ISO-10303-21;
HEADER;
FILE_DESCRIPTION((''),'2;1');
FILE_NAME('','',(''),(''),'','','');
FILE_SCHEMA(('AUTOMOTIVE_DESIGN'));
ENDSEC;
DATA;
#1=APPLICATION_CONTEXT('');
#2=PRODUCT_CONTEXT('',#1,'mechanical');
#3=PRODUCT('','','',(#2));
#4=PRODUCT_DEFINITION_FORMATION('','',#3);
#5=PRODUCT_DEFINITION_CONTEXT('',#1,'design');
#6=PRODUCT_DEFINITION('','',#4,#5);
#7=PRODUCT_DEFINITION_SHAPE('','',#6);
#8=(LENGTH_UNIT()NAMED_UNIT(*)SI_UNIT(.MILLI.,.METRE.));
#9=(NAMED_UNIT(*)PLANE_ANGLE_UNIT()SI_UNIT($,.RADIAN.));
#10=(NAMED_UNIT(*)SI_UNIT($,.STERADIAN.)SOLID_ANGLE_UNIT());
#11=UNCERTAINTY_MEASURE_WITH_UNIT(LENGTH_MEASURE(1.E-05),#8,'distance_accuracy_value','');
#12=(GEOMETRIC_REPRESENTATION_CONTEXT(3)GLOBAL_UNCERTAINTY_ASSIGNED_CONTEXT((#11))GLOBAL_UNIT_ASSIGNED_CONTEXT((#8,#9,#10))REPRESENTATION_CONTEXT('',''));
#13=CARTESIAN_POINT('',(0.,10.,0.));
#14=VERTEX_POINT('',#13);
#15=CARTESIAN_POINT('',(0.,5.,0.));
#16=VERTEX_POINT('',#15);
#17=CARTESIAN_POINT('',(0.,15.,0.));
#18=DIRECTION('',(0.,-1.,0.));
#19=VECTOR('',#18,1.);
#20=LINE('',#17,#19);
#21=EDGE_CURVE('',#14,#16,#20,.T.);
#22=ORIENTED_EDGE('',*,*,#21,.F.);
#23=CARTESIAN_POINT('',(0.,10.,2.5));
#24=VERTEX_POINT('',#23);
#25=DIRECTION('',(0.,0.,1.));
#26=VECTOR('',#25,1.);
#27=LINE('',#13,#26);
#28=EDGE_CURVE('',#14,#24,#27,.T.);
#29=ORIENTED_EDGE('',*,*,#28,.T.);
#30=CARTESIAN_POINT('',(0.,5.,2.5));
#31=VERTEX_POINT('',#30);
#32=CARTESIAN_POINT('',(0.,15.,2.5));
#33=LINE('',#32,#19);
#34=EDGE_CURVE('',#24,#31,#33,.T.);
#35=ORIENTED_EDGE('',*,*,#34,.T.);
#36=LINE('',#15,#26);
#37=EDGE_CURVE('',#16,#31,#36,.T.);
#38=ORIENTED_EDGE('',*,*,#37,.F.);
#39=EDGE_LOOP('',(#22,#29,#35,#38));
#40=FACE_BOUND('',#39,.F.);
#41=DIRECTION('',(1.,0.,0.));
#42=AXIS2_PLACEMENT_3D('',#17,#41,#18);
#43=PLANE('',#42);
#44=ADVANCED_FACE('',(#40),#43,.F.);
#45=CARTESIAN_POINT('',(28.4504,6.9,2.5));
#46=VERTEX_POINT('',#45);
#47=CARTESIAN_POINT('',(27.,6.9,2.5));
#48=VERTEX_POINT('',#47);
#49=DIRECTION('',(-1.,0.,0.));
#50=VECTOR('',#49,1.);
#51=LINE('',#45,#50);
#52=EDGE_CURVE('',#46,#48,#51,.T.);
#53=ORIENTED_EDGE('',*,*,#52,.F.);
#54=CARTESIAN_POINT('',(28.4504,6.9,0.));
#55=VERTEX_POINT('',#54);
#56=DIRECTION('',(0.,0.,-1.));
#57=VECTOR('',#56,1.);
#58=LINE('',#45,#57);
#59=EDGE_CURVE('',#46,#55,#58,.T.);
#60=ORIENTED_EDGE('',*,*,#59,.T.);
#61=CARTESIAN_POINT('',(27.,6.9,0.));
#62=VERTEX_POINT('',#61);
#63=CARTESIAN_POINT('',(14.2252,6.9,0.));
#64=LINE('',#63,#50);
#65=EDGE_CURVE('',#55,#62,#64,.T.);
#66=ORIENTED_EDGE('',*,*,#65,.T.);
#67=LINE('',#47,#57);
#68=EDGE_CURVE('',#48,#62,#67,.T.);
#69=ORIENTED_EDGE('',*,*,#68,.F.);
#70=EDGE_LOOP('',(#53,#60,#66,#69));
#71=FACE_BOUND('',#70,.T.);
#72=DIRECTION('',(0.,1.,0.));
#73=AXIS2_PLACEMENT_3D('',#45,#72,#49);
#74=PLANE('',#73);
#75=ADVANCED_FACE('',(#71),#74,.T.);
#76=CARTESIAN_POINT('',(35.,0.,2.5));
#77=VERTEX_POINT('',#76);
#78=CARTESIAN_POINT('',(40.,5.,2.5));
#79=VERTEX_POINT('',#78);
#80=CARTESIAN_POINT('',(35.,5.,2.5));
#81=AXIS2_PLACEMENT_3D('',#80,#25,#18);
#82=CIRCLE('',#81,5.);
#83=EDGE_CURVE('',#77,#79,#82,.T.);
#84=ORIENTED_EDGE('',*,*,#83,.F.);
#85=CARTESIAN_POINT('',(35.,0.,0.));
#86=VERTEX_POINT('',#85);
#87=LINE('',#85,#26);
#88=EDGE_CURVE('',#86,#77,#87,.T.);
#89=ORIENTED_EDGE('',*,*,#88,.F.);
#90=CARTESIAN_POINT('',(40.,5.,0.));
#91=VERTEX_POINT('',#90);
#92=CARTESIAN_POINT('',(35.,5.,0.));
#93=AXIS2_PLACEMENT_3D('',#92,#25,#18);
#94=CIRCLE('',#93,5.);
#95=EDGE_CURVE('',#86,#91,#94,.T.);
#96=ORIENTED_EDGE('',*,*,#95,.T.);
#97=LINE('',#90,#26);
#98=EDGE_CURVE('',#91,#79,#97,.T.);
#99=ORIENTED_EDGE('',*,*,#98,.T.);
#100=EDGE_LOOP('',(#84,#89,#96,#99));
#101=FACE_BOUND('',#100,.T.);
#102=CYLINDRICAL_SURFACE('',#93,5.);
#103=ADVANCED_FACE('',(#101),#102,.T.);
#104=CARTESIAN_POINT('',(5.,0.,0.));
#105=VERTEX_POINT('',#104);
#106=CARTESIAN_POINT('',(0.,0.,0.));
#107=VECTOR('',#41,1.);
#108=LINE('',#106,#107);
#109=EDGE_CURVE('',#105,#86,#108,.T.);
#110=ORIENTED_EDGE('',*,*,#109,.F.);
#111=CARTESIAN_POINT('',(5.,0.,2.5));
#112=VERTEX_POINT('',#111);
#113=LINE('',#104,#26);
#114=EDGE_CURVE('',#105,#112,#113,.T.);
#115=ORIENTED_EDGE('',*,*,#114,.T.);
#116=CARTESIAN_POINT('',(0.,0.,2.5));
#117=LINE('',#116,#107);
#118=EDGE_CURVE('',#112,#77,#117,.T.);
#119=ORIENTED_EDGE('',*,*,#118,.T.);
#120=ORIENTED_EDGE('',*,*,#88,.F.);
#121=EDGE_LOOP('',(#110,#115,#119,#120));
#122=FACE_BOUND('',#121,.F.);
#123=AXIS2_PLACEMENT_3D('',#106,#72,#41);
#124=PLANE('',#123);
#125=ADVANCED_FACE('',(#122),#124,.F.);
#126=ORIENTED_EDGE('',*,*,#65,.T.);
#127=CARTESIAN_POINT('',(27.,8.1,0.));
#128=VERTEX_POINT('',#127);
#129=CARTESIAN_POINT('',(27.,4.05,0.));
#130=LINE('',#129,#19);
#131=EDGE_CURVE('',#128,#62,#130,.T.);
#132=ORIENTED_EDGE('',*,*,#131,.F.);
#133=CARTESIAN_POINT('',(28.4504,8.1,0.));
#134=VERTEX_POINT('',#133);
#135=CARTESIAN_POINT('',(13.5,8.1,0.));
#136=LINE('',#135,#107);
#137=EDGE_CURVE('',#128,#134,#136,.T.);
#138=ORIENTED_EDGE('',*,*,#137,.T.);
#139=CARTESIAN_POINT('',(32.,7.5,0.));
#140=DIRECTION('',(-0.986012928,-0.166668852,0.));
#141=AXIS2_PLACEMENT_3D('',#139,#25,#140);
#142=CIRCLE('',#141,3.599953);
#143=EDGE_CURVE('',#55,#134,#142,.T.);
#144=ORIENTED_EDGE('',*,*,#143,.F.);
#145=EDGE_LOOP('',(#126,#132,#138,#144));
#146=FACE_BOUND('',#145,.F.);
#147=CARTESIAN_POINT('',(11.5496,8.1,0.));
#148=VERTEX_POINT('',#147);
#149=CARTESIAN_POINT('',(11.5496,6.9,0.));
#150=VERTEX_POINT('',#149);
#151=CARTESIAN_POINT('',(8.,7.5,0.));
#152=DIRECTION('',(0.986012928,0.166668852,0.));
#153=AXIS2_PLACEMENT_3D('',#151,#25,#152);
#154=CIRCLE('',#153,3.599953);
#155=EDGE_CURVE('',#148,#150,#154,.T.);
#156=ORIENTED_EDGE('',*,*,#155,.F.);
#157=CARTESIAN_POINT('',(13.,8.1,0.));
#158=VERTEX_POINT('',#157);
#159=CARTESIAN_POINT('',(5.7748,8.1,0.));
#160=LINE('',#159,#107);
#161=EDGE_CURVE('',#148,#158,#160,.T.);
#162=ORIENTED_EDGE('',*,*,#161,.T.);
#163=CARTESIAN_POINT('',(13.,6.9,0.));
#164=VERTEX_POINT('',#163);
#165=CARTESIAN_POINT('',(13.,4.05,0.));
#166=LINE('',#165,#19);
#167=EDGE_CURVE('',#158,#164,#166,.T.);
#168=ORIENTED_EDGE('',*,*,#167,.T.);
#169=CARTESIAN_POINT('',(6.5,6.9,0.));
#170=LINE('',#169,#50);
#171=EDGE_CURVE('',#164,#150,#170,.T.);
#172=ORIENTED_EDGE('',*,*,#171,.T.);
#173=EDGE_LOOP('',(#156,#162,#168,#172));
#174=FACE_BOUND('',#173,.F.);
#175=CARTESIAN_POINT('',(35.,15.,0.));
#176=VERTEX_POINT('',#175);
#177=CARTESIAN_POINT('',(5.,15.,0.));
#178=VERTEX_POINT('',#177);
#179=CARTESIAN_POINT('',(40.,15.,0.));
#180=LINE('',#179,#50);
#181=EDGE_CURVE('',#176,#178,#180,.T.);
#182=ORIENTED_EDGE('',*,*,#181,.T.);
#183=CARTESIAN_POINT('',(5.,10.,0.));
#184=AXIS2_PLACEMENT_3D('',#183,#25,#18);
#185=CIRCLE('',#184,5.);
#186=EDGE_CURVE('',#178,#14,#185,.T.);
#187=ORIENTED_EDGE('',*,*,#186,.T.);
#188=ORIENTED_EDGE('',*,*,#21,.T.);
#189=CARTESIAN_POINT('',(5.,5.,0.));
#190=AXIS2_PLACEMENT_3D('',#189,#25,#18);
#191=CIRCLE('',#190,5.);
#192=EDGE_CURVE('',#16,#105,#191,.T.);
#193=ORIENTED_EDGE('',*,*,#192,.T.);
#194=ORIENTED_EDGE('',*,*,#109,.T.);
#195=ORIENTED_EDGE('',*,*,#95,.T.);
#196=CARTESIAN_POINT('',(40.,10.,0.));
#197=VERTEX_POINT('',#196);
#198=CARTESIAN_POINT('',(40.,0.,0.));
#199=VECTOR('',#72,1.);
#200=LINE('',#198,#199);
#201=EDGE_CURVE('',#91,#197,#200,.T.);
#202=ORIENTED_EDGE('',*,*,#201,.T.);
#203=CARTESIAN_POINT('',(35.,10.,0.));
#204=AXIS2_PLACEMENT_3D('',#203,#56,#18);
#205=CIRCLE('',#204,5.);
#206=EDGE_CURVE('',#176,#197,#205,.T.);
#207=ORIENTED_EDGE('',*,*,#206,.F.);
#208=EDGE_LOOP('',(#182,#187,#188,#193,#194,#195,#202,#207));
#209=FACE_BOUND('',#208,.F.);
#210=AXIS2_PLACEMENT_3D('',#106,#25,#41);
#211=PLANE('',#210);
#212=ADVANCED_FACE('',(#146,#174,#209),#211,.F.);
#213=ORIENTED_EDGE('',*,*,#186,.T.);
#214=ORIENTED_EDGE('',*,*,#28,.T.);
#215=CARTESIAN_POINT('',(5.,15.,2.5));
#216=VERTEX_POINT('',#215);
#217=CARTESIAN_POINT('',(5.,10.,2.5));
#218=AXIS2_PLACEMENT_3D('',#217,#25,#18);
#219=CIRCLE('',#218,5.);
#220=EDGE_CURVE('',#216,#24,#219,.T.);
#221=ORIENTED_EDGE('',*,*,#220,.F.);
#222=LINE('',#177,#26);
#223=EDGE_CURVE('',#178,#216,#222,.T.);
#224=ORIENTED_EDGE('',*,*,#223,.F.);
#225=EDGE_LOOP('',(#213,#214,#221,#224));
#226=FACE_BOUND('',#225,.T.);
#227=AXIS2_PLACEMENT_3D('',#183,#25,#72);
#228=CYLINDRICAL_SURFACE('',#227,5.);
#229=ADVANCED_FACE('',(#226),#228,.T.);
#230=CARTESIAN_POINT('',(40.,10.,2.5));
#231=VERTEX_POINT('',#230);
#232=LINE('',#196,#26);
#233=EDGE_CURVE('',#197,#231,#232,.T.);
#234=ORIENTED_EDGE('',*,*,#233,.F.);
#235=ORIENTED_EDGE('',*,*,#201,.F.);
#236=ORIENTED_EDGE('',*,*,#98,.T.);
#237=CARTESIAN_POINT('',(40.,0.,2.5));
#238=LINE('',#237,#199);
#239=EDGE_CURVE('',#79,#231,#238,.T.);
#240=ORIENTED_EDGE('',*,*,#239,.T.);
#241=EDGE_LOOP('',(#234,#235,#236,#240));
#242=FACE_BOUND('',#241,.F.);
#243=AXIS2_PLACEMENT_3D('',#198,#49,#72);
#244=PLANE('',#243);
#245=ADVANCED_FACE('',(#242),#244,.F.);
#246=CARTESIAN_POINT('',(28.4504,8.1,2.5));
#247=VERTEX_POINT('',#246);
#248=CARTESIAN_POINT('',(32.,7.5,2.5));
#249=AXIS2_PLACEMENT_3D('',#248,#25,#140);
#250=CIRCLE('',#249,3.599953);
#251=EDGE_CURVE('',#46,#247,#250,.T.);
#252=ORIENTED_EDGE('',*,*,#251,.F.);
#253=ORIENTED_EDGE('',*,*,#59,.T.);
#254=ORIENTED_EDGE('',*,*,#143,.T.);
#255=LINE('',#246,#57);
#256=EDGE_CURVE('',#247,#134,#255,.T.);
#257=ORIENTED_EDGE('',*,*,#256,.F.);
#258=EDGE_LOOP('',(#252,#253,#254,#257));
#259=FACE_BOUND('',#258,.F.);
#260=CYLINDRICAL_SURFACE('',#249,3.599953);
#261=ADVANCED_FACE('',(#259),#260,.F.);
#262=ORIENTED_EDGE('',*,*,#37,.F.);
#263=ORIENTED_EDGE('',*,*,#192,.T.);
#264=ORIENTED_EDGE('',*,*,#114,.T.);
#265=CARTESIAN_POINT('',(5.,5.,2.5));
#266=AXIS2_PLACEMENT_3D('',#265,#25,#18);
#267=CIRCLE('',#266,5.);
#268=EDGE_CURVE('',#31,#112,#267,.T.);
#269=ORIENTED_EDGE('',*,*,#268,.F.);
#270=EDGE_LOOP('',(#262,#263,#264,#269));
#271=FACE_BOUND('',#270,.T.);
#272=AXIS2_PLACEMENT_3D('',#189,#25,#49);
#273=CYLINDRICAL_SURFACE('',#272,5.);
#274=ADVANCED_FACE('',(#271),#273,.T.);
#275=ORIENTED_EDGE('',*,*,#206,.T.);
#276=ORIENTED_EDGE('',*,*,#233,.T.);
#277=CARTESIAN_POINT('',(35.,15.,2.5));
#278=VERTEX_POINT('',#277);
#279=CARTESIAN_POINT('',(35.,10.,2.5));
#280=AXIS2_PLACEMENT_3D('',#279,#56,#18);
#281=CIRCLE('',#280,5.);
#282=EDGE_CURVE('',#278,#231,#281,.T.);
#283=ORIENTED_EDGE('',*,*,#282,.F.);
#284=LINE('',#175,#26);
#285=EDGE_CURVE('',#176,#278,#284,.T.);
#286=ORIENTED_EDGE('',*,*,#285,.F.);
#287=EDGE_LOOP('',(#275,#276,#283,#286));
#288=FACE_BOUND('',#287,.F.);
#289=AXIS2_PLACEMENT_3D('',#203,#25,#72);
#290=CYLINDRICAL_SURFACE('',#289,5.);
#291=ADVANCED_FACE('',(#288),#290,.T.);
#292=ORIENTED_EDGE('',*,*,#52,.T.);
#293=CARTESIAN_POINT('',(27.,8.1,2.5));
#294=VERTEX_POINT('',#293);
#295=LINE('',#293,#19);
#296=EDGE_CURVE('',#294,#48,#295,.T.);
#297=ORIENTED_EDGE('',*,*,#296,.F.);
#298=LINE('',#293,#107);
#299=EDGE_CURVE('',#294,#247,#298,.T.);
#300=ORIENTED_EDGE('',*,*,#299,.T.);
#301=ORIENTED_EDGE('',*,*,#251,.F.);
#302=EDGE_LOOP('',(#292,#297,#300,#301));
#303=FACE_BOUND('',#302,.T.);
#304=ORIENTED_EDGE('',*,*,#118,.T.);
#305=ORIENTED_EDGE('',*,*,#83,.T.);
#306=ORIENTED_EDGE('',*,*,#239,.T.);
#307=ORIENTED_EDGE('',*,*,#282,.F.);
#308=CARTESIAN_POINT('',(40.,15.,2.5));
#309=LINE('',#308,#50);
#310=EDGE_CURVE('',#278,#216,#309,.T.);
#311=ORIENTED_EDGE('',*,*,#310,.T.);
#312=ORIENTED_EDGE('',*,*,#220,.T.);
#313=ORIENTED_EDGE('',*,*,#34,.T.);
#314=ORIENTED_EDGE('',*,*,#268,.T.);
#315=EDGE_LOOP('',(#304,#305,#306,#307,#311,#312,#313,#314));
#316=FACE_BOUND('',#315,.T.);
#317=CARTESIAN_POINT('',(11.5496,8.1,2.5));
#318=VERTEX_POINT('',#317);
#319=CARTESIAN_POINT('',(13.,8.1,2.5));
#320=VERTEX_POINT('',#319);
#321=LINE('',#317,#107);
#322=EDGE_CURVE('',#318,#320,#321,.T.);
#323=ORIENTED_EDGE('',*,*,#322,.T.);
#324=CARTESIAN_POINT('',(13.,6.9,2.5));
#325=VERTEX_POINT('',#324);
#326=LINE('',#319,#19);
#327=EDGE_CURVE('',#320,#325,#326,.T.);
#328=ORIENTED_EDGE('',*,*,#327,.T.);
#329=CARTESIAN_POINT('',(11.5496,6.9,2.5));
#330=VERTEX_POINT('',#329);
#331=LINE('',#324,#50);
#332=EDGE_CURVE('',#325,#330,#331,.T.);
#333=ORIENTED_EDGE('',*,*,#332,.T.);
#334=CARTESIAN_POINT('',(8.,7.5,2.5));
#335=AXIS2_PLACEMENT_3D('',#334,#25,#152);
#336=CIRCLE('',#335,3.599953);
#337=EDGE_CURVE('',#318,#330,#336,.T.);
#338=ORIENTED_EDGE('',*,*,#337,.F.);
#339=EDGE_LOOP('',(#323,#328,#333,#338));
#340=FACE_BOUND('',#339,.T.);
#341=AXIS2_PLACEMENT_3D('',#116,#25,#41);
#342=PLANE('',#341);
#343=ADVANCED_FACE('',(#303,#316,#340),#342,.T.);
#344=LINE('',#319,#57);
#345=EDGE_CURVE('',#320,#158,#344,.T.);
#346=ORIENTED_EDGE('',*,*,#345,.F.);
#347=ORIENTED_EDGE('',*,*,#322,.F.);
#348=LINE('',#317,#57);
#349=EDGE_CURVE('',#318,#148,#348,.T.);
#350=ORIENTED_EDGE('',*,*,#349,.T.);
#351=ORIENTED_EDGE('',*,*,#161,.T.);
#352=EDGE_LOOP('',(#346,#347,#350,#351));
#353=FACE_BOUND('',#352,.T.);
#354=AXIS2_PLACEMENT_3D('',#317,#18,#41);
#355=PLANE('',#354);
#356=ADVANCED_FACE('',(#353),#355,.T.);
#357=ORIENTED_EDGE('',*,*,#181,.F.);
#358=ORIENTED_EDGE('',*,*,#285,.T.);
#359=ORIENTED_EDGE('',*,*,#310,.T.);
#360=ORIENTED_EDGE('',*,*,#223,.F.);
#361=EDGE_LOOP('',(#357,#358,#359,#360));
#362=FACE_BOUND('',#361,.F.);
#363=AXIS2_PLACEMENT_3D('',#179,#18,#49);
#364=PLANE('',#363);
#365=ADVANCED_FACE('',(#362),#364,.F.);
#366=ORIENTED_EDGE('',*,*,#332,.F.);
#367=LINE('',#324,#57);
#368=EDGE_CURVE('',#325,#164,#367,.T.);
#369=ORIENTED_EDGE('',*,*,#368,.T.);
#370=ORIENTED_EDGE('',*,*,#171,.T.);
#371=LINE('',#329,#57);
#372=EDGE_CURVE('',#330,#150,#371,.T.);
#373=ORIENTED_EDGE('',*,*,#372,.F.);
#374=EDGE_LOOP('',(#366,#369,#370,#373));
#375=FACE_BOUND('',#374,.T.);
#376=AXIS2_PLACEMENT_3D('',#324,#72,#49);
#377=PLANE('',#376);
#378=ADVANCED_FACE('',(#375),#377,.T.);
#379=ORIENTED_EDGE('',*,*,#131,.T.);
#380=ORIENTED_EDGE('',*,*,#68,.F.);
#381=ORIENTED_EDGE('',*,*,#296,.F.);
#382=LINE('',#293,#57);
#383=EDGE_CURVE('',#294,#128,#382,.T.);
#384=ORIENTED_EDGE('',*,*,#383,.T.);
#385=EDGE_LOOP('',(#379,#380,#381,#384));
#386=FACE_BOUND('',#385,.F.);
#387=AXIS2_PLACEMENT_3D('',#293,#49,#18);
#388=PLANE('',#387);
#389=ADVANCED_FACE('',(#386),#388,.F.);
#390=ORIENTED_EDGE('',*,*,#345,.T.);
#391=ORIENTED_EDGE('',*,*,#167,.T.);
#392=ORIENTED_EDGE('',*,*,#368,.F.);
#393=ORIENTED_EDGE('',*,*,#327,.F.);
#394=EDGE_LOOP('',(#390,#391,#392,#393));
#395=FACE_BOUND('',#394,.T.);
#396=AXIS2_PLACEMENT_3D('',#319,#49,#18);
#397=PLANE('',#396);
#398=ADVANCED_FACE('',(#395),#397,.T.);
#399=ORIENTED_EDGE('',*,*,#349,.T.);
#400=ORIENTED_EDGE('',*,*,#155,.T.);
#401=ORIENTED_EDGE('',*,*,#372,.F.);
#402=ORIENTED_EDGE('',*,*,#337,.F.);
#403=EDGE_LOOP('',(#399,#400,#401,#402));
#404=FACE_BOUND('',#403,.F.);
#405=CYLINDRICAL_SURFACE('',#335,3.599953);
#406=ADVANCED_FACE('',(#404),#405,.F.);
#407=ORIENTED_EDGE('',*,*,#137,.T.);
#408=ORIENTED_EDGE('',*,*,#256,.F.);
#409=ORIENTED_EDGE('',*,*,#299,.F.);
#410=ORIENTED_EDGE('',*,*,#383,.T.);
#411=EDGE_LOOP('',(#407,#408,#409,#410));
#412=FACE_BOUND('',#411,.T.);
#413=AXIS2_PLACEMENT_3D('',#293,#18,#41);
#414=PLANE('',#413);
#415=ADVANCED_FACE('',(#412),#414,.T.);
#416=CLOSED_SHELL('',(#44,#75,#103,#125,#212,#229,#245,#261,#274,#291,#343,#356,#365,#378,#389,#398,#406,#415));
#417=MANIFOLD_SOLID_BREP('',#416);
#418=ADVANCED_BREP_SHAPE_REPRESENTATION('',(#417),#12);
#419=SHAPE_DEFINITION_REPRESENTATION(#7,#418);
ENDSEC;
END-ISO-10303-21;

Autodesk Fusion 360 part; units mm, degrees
sketch "Sketch1" plane through (0, 0, 0) normal (0, 0, 1) x (1, 0, 0)
  line L0 (0, 0) -> (40, 0)
  line L1 (40, 0) -> (40, 15)
  line L2 (40, 15) -> (0, 15)
  line L3 (0, 15) -> (0, 0)
  dimension "d1" = 40
  dimension "d2" = 15
extrude "Extrude1" add sketch "Sketch1" along normal blind 2.5
sketch "Sketch2" plane through (0, 0, 2.5) normal (0, 0, 1) x (-1, 0, 0)
  line L0 (0, -15) -> (0, 0)
  line L1 (0, 0) -> (-40, 0)
  line L2 (-40, 0) -> (-40, -15)
  line L3 (-40, -15) -> (0, -15)
  line L4 (-20, -20) -> (-20, 7) construction
  line L5 (-32, -20) -> (-32, 13) construction
  line L6 (-8, -20) -> (-8, 12) construction
  line L7 (2.5927, -7.5) -> (-48, -7.5) construction
  line L8 (-13, -8.1) -> (-13, -6.9)
  line L9 (-27, -8.1) -> (-27, -6.9)
  arc A0 (-11.5496, -8.1) -> (-11.5496, -6.9) centre (-8, -7.5) ccw
  line L10 (-28.4504, -6.9) -> (-27, -6.9)
  line L11 (-13, -6.9) -> (-11.5496, -6.9)
  line L12 (-11.5496, -8.1) -> (-13, -8.1)
  line L13 (-27, -8.1) -> (-28.4504, -8.1)
  arc A1 (-28.4504, -6.9) -> (-28.4504, -8.1) centre (-32, -7.5) ccw
  dimension "d5" = 20
  dimension "d6" = 12
  dimension "d7" = 12
  dimension "d8" = 7.5
  dimension "d9" = 7.2
  dimension "d10" = 7.2
  dimension "d12" = 0.6
  dimension "d13" = 5
  dimension "d14" = 5
extrude "Extrude2" cut sketch "Sketch2" against normal blind 4 contours L8 A0 L11 L12 | L9 L10 L13 A1
fillet "Fillet1" radius 5 1 edges at (0, 0, 1.25)
fillet "Fillet2" radius 5 2 edges at (40, 0, 1.25) (40, 15, 1.25)
fillet "Fillet3" radius 5 1 edges at (0, 15, 1.25)
